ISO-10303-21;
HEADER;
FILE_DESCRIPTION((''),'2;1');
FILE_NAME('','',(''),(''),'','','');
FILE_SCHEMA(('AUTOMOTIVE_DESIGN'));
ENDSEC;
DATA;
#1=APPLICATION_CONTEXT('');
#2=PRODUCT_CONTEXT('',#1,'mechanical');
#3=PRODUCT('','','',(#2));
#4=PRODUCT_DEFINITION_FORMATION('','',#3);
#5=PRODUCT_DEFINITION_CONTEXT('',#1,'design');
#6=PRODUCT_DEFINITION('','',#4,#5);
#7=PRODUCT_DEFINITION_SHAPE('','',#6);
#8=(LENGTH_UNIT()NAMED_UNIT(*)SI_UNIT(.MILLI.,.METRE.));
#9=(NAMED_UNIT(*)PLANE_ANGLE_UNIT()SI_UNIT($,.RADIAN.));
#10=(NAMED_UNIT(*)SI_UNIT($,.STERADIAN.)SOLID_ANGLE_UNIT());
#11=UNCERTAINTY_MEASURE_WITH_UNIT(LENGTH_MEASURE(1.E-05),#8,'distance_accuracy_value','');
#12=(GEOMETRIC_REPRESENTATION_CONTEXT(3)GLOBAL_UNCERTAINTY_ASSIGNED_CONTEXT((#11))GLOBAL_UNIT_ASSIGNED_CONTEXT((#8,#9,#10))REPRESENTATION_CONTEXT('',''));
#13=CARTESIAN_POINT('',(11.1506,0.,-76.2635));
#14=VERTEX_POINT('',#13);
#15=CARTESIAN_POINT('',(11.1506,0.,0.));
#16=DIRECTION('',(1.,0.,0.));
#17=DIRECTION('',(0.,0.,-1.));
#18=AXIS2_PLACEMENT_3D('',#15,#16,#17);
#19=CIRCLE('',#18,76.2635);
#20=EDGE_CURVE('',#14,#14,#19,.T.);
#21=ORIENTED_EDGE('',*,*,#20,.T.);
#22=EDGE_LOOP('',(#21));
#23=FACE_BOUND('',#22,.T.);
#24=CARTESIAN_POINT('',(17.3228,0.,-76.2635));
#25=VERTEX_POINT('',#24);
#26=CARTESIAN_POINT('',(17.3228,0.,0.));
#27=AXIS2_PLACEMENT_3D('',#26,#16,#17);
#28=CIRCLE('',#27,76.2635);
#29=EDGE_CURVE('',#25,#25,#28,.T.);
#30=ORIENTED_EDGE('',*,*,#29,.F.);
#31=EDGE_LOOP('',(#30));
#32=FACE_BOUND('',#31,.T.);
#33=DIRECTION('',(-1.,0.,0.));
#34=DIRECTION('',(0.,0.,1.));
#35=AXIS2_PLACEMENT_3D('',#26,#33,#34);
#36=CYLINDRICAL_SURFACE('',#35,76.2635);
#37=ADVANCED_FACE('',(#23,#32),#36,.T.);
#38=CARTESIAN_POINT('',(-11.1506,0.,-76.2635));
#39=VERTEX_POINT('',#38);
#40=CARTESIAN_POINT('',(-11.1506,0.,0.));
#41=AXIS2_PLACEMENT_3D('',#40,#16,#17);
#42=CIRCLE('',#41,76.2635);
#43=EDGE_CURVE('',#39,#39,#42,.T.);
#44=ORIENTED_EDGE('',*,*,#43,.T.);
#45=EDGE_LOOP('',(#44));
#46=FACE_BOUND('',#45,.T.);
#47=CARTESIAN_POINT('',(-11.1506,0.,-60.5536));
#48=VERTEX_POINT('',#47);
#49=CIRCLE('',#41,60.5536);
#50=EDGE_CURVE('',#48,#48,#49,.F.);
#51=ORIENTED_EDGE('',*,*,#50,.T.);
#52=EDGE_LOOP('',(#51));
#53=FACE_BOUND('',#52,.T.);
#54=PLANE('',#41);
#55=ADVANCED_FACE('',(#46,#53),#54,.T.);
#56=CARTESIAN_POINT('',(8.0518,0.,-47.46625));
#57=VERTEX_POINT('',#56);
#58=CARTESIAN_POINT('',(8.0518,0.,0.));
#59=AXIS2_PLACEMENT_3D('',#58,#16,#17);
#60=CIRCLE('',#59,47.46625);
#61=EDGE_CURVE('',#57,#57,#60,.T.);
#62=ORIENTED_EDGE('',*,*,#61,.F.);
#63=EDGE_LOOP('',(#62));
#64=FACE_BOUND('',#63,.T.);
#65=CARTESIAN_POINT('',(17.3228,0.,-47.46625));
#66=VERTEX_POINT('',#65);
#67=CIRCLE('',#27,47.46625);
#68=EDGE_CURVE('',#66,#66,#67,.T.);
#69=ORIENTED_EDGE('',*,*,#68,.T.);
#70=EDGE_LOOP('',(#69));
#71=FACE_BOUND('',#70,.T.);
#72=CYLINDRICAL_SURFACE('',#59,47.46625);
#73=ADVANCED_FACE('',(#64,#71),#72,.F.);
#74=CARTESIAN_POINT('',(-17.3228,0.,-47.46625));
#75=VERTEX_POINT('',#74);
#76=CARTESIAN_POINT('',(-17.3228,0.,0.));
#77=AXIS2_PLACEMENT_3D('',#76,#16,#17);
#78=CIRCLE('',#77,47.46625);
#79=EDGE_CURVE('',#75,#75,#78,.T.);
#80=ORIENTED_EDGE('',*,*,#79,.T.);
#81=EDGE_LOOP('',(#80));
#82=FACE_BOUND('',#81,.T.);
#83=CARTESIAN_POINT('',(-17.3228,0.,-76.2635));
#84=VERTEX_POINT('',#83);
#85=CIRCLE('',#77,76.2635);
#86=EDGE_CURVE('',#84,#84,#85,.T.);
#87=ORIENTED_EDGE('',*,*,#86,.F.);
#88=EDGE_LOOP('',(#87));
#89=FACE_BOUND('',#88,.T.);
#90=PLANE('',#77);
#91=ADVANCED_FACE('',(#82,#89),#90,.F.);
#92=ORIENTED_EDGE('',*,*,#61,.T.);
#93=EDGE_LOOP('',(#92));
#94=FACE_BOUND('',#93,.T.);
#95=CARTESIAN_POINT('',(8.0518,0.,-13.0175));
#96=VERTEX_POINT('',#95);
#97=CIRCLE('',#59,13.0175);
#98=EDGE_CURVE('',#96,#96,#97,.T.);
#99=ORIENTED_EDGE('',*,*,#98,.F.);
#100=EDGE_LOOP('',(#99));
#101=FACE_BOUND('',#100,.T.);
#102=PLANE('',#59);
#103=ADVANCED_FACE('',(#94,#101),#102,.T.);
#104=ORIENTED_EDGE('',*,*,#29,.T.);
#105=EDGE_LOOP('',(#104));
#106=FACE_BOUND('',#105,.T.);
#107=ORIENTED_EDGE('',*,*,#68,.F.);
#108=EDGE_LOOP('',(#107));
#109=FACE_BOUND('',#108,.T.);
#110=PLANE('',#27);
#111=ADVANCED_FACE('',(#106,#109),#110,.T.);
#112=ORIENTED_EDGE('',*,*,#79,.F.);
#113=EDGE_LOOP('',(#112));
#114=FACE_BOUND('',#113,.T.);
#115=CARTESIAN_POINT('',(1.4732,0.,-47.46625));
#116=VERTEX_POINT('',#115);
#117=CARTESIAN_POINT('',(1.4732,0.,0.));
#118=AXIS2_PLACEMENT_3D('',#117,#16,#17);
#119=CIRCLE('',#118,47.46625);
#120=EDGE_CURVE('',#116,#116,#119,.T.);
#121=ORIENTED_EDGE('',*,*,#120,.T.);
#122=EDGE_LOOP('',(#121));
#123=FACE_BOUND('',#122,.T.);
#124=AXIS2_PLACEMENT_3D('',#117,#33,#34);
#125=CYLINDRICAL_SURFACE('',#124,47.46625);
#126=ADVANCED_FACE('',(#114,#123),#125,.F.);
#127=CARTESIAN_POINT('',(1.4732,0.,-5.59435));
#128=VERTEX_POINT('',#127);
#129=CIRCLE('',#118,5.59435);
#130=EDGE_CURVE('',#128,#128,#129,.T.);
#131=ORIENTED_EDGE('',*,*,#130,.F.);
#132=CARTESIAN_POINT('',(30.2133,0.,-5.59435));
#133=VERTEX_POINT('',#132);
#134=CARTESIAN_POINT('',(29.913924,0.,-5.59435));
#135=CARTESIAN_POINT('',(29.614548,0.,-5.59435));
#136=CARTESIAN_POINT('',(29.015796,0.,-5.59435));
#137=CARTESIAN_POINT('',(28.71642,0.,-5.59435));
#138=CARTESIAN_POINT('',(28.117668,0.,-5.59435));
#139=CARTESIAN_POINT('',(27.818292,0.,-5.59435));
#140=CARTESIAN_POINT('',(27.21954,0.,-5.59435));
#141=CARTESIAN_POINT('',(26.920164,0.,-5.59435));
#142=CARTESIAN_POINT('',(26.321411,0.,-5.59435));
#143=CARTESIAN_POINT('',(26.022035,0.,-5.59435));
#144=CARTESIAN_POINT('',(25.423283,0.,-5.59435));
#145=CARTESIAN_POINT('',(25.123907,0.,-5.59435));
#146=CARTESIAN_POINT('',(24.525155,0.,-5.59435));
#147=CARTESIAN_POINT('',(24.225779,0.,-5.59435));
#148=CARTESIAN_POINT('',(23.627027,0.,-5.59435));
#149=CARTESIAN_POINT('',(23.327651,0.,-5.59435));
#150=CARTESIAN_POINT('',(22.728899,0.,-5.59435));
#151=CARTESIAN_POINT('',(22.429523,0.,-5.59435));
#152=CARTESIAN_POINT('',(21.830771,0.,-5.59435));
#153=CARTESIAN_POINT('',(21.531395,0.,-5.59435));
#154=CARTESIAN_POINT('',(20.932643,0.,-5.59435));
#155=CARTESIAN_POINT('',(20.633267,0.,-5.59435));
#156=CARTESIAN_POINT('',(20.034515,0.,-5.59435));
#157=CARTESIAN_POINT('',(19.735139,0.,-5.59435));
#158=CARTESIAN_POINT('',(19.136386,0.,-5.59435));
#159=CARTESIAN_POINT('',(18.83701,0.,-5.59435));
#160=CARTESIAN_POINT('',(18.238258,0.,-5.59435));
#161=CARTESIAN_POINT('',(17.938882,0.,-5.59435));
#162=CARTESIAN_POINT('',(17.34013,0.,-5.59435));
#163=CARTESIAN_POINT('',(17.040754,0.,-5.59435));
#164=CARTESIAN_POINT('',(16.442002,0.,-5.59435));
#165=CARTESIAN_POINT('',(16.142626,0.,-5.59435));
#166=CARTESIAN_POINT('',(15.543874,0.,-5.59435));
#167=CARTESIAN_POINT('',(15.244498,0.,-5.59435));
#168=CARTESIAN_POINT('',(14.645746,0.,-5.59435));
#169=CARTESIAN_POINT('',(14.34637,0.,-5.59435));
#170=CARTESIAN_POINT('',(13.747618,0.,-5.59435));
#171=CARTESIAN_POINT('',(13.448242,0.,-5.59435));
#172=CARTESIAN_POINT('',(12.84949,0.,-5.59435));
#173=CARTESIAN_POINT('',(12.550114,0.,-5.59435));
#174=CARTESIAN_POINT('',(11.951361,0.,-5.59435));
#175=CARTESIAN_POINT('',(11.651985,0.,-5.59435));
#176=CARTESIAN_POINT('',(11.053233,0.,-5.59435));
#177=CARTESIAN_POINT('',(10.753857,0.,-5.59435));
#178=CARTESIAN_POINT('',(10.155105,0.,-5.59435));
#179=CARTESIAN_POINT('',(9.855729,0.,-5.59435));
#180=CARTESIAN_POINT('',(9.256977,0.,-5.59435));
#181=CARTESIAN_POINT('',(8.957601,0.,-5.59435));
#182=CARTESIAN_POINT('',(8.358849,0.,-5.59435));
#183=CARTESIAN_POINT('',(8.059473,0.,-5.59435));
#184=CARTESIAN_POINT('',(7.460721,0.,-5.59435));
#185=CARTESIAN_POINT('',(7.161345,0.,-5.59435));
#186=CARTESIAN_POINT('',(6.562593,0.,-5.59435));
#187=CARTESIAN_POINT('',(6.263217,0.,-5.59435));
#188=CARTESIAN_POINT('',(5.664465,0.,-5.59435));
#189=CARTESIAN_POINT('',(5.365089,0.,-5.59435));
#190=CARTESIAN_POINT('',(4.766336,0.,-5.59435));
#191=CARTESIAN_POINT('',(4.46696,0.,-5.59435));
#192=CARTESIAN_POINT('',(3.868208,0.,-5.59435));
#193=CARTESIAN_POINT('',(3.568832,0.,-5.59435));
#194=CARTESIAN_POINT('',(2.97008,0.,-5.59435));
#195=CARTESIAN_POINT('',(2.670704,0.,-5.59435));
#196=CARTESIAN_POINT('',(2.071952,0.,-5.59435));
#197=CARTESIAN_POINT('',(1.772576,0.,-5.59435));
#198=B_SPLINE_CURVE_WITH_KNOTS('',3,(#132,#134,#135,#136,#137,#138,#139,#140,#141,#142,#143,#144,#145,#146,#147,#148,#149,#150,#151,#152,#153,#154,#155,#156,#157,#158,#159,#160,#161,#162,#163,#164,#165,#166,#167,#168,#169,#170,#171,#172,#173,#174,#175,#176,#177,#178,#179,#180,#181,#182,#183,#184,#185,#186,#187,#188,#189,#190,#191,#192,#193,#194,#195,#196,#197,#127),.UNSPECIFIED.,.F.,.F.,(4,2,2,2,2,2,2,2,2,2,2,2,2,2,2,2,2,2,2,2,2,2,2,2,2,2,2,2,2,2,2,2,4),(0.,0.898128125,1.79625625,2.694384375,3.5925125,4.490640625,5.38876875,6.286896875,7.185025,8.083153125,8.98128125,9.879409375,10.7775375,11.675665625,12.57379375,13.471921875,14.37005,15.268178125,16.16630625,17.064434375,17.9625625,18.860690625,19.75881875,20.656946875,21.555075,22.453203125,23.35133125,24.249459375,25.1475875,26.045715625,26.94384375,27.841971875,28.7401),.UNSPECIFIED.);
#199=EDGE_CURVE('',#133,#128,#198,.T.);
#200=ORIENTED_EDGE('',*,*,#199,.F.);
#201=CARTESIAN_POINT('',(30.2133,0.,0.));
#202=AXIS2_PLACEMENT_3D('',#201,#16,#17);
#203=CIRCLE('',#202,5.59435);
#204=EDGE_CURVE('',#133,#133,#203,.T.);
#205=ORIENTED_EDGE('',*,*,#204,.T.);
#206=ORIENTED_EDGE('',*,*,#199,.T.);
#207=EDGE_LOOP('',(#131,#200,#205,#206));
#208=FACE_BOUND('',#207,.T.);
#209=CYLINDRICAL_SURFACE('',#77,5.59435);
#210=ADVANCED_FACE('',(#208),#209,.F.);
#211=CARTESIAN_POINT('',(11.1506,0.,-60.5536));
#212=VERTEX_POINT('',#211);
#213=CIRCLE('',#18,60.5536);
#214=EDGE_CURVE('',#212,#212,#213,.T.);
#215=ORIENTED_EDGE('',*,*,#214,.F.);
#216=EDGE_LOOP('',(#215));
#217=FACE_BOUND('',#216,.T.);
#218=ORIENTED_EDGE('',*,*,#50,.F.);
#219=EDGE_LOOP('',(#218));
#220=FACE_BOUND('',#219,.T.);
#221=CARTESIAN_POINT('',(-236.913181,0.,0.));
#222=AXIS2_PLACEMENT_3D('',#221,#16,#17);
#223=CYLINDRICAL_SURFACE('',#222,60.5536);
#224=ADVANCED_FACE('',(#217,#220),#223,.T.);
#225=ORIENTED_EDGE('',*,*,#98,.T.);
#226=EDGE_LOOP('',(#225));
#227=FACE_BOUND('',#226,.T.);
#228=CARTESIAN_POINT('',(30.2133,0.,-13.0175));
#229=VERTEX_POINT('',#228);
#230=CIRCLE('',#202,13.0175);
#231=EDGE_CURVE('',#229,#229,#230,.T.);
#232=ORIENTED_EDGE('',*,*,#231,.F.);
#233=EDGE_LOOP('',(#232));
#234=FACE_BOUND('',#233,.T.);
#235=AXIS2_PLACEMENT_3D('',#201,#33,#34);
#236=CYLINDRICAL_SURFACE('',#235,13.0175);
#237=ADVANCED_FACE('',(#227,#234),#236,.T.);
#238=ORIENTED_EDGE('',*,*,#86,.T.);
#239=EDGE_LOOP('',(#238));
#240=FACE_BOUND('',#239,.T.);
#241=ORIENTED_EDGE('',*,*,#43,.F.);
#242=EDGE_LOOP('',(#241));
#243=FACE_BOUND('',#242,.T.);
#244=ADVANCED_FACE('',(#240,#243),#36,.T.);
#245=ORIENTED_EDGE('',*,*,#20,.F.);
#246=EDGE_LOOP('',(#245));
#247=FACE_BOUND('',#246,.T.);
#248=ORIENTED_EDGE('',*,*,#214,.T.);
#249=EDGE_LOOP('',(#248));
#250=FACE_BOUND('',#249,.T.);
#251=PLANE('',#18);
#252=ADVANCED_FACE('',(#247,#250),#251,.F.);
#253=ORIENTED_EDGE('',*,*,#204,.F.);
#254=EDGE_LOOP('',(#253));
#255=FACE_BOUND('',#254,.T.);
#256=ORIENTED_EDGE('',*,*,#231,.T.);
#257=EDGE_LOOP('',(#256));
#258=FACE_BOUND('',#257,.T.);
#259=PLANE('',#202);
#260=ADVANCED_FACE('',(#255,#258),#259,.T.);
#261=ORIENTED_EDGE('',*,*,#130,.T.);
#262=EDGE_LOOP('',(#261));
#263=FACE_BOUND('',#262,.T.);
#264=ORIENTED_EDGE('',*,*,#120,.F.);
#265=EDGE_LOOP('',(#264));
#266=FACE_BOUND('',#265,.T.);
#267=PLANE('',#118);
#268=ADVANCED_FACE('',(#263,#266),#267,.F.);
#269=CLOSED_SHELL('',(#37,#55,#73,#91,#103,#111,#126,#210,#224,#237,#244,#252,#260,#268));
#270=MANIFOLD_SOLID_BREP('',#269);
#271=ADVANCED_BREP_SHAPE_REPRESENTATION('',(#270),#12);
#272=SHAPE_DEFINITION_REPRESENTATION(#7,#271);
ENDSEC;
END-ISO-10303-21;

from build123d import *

# Parameters (mm, degrees)
SKETCH1_R           = 76.2635
BOSS_EXTRUDE1_DEPTH = 17.3228
SKETCH2_R           = 47.46625
CUT_EXTRUDE1_DEPTH  = 9.271
CUT_EXTRUDE2_START  = -15.8496
SKETCH2_2_R         = 47.46625
CUT_EXTRUDE2_DEPTH  = 18.796
CUT_EXTRUDE3_START  = -6.1722
SKETCH3_OUTSIDE_W   = 198.222
SKETCH3_OUTSIDE_H   = 198.222
SKETCH3_OUTSIDE_R   = 60.5536
CUT_EXTRUDE3_DEPTH  = 22.3012
SKETCH4_R           = 13.0175
BOSS_EXTRUDE2_DEPTH = 22.1615
SKETCH5_R           = 5.59435
CUT_EXTRUDE4_DEPTH  = 118.864004971


with BuildPart() as part:
    # Sketch1 → Boss-Extrude1 (new, symmetric)
    with BuildSketch(Plane(origin=(0, 0, 0), x_dir=(0, 0, -1), z_dir=(1, 0, 0))):
        Circle(SKETCH1_R)
    extrude(amount=BOSS_EXTRUDE1_DEPTH, both=True)

    # Sketch2 → Cut-Extrude1 (cut)
    with BuildSketch(Plane(origin=(17.3228, 0, 0), x_dir=(0, 0, -1), z_dir=(1, 0, 0))):
        Circle(SKETCH2_R)
    extrude(amount=-CUT_EXTRUDE1_DEPTH, mode=Mode.SUBTRACT)

    # Sketch2<2> → Cut-Extrude2 (cut)
    with BuildSketch(Plane(origin=(17.3228, 0, 0), x_dir=(0, 0, -1), z_dir=(1, 0, 0)).offset(CUT_EXTRUDE2_START)):
        Circle(SKETCH2_2_R)
    extrude(amount=-CUT_EXTRUDE2_DEPTH, mode=Mode.SUBTRACT)

    # Sketch3 outside → Cut-Extrude3 (cut)
    with BuildSketch(Plane(origin=(17.3228, 0, 0), x_dir=(0, 0, -1), z_dir=(1, 0, 0)).offset(CUT_EXTRUDE3_START)):
        Rectangle(SKETCH3_OUTSIDE_W, SKETCH3_OUTSIDE_H)
        Circle(SKETCH3_OUTSIDE_R, mode=Mode.SUBTRACT)
    extrude(amount=-CUT_EXTRUDE3_DEPTH, mode=Mode.SUBTRACT)

    # Sketch4 → Boss-Extrude2 (add)
    with BuildSketch(Plane(origin=(8.0518, 0, 0), x_dir=(0, 0, -1), z_dir=(1, 0, 0))):
        Circle(SKETCH4_R)
    extrude(amount=BOSS_EXTRUDE2_DEPTH)

    # Sketch5 → Cut-Extrude4 (cut, through all)
    with BuildSketch(Plane(origin=(30.2133, 0, 0), x_dir=(0, 0, -1), z_dir=(1, 0, 0))):
        Circle(SKETCH5_R)
    extrude(amount=-CUT_EXTRUDE4_DEPTH, mode=Mode.SUBTRACT)


solid = part.part
